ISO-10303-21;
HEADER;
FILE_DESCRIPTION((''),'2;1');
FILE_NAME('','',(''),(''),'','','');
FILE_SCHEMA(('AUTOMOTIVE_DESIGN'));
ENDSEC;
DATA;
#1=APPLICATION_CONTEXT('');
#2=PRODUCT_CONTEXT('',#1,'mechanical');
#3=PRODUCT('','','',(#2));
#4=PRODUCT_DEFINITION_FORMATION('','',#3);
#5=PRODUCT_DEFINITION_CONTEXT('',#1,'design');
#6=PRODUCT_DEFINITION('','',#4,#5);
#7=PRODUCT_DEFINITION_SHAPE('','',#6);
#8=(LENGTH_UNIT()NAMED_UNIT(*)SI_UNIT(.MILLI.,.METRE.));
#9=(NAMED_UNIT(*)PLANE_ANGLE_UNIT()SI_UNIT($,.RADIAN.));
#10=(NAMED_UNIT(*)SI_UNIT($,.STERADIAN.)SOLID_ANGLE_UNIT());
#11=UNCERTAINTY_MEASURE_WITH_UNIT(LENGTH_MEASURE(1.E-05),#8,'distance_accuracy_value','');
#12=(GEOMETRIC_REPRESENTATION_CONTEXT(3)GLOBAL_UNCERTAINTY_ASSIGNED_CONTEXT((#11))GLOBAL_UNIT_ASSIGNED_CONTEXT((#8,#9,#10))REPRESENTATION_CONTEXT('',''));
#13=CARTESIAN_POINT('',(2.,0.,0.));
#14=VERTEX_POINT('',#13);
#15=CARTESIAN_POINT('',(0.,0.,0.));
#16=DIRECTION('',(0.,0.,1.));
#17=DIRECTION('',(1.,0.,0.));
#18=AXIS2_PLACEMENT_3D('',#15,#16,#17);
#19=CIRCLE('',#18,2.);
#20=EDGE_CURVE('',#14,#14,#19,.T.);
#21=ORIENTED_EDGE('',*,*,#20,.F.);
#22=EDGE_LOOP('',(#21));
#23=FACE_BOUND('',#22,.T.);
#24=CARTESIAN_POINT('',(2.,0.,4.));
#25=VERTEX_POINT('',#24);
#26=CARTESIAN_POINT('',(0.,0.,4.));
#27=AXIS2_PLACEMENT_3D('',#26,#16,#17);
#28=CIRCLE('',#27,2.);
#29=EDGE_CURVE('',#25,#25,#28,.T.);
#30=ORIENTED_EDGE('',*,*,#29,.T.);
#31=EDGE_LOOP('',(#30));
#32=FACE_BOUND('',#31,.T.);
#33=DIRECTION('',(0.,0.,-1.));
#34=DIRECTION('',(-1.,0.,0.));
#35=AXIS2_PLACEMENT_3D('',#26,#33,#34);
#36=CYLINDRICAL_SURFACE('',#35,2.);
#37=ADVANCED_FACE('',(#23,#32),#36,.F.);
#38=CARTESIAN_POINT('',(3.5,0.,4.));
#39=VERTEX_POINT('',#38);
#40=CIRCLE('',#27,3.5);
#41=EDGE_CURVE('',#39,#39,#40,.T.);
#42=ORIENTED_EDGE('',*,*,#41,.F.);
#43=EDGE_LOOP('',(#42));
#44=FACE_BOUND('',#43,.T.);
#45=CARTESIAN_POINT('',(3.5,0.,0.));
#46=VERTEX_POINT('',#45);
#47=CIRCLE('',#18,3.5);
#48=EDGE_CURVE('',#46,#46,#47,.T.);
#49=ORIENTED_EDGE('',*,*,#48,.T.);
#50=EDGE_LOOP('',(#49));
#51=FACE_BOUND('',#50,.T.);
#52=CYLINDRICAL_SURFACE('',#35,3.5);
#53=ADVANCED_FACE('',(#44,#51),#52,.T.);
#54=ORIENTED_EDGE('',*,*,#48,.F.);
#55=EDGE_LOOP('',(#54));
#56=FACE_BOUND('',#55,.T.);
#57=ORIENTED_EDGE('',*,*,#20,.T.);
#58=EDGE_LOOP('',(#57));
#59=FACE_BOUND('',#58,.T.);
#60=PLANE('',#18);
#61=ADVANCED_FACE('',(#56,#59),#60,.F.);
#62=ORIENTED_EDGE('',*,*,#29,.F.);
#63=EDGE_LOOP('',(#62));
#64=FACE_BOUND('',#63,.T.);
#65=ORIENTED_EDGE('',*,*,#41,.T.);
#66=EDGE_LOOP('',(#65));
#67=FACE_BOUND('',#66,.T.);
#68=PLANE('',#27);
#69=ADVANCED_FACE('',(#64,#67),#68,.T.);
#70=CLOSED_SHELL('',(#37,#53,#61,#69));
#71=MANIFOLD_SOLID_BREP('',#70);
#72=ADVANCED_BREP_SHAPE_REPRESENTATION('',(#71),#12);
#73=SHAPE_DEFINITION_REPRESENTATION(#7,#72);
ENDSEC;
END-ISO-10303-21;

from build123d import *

# Parameters (mm, degrees)
SKETCH_1_R      = 3.5
SKETCH_1_R_2    = 2
EXTRUDE_1_DEPTH = 4


with BuildPart() as part:
    # 草图1 → 凸台-拉伸1 (new body)
    with BuildSketch(Plane.XY):
        Circle(SKETCH_1_R)
        Circle(SKETCH_1_R_2, mode=Mode.SUBTRACT)
    extrude(amount=EXTRUDE_1_DEPTH)


solid = part.part
